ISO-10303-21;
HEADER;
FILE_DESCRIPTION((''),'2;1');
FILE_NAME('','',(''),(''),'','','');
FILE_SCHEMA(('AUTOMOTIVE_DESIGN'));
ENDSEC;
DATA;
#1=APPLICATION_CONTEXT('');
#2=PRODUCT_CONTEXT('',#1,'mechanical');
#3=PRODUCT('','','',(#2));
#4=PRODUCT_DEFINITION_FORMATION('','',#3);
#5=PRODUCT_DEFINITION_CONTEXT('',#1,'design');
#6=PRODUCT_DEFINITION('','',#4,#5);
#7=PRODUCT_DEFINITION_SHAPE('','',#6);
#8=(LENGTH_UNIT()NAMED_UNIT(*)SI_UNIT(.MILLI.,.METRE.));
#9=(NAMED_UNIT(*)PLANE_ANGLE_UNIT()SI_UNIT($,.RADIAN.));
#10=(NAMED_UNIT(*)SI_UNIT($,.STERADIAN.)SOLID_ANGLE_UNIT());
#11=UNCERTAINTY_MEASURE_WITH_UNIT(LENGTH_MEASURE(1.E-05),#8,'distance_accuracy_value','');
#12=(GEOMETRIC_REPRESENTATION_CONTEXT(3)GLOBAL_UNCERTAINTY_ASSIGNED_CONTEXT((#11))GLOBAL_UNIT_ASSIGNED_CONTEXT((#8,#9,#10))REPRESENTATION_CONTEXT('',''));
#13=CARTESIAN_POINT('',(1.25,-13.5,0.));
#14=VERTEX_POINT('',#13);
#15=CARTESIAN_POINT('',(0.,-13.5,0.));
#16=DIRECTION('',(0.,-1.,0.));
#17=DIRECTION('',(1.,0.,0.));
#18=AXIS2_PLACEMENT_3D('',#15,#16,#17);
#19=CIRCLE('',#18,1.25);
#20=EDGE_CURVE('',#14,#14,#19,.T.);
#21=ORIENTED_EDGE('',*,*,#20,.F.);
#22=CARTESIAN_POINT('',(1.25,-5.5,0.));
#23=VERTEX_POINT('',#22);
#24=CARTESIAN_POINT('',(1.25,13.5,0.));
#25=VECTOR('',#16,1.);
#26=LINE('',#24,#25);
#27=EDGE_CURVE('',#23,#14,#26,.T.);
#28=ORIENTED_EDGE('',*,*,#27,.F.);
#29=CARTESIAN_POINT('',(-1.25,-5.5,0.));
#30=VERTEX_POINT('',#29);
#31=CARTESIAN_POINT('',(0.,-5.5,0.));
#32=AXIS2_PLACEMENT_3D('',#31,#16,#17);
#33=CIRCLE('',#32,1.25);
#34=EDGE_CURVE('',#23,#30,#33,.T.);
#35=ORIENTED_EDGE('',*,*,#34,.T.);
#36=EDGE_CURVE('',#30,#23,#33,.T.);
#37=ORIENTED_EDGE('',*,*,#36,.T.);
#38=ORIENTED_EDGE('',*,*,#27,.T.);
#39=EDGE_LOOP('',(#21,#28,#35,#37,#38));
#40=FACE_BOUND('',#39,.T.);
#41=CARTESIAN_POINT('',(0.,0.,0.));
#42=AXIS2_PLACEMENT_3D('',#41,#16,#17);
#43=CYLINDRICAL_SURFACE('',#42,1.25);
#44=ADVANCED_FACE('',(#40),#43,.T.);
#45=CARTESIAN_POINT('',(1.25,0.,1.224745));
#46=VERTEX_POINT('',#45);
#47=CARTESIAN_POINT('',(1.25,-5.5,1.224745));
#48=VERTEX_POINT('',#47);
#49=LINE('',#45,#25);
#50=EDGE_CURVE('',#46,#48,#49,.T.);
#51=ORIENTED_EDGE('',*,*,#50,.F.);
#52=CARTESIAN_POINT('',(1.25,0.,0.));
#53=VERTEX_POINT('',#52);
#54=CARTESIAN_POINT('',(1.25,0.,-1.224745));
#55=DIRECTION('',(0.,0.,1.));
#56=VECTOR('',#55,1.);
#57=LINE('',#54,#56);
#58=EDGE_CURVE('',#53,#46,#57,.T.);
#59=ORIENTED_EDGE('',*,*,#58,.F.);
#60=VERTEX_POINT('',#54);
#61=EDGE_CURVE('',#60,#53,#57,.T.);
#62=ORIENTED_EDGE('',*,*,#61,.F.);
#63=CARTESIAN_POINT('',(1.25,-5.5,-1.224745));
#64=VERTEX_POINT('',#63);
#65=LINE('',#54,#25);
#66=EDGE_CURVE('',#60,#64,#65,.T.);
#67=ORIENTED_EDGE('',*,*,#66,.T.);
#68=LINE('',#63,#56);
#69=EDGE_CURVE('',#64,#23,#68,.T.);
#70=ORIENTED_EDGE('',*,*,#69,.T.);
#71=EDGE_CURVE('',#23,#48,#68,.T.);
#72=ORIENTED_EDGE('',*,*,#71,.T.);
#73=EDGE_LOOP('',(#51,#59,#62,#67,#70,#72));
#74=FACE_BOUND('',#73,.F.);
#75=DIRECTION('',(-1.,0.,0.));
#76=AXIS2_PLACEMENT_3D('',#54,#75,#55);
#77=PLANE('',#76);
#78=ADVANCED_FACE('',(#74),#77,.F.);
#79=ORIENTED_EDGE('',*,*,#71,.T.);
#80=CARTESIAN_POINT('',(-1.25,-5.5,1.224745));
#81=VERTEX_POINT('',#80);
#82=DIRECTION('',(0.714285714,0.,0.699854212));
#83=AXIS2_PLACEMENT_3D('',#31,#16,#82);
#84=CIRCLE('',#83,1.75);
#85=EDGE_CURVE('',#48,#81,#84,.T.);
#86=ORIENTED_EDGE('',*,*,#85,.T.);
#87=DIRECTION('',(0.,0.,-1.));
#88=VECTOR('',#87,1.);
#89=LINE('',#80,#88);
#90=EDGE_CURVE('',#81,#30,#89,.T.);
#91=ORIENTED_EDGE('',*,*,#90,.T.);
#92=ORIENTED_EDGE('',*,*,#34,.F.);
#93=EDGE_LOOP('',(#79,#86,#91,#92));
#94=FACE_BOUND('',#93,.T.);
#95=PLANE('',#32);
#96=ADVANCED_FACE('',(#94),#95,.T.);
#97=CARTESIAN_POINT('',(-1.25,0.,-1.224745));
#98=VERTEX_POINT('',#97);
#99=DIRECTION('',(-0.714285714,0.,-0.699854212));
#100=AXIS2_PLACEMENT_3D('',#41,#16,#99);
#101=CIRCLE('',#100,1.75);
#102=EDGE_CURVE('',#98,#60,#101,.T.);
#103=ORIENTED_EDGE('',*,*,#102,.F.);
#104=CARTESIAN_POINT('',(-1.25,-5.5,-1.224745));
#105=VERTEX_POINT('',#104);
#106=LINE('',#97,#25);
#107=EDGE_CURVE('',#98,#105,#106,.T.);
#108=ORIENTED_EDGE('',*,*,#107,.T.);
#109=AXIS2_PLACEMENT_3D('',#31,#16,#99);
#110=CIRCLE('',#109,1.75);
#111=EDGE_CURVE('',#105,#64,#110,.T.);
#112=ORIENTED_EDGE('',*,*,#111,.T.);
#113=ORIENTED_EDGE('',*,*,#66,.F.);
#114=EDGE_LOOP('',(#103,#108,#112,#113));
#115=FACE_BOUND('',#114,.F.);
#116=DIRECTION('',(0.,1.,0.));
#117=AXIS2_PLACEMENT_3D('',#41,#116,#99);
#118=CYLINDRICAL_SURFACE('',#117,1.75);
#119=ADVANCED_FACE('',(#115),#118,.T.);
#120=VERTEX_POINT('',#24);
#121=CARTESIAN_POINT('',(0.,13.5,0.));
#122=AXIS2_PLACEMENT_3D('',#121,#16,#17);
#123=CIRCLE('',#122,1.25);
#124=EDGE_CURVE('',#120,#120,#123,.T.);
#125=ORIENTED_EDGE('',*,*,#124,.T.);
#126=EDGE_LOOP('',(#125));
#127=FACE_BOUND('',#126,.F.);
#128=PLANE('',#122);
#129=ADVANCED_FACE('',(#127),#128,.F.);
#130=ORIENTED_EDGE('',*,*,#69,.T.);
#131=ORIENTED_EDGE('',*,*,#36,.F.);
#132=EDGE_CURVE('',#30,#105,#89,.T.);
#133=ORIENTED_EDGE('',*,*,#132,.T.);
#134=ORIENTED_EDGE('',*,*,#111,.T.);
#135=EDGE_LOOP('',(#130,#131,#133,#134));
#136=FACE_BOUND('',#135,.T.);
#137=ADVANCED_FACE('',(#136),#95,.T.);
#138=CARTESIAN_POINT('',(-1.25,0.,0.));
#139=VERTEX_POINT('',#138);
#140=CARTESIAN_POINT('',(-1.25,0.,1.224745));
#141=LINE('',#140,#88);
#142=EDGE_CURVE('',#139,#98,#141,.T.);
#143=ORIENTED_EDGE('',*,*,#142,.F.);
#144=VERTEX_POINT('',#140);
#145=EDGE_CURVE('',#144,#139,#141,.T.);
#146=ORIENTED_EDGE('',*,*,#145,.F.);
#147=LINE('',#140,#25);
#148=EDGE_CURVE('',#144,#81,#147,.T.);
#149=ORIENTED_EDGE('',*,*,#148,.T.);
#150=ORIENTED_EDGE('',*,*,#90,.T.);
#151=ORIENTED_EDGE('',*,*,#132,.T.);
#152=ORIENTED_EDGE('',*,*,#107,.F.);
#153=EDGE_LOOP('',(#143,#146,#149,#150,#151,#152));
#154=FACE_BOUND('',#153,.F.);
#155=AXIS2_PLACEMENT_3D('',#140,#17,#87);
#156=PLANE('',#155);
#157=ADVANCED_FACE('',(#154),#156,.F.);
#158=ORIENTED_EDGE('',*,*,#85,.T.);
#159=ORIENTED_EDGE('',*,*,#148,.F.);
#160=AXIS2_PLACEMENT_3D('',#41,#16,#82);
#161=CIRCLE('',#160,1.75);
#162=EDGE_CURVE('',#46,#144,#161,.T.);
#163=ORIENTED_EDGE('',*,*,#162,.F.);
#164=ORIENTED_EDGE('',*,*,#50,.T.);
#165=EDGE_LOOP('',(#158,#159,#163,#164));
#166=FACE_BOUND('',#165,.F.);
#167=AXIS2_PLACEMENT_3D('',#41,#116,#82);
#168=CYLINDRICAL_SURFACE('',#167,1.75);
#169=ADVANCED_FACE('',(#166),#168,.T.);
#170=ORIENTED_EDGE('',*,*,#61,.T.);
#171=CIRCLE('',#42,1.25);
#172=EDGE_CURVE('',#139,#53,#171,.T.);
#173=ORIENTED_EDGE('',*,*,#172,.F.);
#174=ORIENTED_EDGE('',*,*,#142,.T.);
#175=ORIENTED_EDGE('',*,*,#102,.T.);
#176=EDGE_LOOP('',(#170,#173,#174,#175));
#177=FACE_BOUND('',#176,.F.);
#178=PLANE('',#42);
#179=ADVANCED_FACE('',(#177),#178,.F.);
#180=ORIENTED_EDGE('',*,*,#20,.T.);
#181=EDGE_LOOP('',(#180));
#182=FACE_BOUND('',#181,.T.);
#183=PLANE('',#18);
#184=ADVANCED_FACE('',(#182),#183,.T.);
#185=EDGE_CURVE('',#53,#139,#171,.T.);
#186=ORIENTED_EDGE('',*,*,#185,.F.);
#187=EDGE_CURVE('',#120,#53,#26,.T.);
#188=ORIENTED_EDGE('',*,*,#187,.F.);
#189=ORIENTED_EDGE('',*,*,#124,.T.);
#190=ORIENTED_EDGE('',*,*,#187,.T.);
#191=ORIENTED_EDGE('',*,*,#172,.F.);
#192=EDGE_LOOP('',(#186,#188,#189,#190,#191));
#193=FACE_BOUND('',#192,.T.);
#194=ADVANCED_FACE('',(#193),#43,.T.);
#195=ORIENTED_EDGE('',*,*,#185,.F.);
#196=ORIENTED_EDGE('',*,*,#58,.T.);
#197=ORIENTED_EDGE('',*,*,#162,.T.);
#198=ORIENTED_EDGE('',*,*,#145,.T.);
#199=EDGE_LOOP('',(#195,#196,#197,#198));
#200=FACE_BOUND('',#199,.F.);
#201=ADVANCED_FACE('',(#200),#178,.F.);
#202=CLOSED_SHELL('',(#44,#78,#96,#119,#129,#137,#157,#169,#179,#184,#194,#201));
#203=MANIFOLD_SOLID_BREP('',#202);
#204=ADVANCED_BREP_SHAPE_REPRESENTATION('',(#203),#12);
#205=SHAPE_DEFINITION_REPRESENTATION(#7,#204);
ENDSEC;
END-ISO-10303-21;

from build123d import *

# Parameters (mm, degrees)
F1_DEPTH = 5.5
F2_R     = 1.25
F3_DEPTH = 13.5


with BuildPart() as f1:
    # F0 (on Front) → F1 (new body)
    with BuildSketch(Plane.XZ):
        with BuildLine():
            Line((-1.25, 1.2247448714), (-1.25, -1.2247448714))
            ThreePointArc((-1.25, -1.2247448714), (0, -1.75), (1.25, -1.2247448714))
            Line((1.25, -1.2247448714), (1.25, 1.2247448714))
            ThreePointArc((1.25, 1.2247448714), (0, 1.75), (-1.25, 1.2247448714))
        make_face()
    extrude(amount=F1_DEPTH)

    # F2 (on Front) → F3 (join, symmetric)
    with BuildSketch(Plane.XZ):
        Circle(F2_R)
    extrude(amount=F3_DEPTH, both=True)


solid = f1.part
